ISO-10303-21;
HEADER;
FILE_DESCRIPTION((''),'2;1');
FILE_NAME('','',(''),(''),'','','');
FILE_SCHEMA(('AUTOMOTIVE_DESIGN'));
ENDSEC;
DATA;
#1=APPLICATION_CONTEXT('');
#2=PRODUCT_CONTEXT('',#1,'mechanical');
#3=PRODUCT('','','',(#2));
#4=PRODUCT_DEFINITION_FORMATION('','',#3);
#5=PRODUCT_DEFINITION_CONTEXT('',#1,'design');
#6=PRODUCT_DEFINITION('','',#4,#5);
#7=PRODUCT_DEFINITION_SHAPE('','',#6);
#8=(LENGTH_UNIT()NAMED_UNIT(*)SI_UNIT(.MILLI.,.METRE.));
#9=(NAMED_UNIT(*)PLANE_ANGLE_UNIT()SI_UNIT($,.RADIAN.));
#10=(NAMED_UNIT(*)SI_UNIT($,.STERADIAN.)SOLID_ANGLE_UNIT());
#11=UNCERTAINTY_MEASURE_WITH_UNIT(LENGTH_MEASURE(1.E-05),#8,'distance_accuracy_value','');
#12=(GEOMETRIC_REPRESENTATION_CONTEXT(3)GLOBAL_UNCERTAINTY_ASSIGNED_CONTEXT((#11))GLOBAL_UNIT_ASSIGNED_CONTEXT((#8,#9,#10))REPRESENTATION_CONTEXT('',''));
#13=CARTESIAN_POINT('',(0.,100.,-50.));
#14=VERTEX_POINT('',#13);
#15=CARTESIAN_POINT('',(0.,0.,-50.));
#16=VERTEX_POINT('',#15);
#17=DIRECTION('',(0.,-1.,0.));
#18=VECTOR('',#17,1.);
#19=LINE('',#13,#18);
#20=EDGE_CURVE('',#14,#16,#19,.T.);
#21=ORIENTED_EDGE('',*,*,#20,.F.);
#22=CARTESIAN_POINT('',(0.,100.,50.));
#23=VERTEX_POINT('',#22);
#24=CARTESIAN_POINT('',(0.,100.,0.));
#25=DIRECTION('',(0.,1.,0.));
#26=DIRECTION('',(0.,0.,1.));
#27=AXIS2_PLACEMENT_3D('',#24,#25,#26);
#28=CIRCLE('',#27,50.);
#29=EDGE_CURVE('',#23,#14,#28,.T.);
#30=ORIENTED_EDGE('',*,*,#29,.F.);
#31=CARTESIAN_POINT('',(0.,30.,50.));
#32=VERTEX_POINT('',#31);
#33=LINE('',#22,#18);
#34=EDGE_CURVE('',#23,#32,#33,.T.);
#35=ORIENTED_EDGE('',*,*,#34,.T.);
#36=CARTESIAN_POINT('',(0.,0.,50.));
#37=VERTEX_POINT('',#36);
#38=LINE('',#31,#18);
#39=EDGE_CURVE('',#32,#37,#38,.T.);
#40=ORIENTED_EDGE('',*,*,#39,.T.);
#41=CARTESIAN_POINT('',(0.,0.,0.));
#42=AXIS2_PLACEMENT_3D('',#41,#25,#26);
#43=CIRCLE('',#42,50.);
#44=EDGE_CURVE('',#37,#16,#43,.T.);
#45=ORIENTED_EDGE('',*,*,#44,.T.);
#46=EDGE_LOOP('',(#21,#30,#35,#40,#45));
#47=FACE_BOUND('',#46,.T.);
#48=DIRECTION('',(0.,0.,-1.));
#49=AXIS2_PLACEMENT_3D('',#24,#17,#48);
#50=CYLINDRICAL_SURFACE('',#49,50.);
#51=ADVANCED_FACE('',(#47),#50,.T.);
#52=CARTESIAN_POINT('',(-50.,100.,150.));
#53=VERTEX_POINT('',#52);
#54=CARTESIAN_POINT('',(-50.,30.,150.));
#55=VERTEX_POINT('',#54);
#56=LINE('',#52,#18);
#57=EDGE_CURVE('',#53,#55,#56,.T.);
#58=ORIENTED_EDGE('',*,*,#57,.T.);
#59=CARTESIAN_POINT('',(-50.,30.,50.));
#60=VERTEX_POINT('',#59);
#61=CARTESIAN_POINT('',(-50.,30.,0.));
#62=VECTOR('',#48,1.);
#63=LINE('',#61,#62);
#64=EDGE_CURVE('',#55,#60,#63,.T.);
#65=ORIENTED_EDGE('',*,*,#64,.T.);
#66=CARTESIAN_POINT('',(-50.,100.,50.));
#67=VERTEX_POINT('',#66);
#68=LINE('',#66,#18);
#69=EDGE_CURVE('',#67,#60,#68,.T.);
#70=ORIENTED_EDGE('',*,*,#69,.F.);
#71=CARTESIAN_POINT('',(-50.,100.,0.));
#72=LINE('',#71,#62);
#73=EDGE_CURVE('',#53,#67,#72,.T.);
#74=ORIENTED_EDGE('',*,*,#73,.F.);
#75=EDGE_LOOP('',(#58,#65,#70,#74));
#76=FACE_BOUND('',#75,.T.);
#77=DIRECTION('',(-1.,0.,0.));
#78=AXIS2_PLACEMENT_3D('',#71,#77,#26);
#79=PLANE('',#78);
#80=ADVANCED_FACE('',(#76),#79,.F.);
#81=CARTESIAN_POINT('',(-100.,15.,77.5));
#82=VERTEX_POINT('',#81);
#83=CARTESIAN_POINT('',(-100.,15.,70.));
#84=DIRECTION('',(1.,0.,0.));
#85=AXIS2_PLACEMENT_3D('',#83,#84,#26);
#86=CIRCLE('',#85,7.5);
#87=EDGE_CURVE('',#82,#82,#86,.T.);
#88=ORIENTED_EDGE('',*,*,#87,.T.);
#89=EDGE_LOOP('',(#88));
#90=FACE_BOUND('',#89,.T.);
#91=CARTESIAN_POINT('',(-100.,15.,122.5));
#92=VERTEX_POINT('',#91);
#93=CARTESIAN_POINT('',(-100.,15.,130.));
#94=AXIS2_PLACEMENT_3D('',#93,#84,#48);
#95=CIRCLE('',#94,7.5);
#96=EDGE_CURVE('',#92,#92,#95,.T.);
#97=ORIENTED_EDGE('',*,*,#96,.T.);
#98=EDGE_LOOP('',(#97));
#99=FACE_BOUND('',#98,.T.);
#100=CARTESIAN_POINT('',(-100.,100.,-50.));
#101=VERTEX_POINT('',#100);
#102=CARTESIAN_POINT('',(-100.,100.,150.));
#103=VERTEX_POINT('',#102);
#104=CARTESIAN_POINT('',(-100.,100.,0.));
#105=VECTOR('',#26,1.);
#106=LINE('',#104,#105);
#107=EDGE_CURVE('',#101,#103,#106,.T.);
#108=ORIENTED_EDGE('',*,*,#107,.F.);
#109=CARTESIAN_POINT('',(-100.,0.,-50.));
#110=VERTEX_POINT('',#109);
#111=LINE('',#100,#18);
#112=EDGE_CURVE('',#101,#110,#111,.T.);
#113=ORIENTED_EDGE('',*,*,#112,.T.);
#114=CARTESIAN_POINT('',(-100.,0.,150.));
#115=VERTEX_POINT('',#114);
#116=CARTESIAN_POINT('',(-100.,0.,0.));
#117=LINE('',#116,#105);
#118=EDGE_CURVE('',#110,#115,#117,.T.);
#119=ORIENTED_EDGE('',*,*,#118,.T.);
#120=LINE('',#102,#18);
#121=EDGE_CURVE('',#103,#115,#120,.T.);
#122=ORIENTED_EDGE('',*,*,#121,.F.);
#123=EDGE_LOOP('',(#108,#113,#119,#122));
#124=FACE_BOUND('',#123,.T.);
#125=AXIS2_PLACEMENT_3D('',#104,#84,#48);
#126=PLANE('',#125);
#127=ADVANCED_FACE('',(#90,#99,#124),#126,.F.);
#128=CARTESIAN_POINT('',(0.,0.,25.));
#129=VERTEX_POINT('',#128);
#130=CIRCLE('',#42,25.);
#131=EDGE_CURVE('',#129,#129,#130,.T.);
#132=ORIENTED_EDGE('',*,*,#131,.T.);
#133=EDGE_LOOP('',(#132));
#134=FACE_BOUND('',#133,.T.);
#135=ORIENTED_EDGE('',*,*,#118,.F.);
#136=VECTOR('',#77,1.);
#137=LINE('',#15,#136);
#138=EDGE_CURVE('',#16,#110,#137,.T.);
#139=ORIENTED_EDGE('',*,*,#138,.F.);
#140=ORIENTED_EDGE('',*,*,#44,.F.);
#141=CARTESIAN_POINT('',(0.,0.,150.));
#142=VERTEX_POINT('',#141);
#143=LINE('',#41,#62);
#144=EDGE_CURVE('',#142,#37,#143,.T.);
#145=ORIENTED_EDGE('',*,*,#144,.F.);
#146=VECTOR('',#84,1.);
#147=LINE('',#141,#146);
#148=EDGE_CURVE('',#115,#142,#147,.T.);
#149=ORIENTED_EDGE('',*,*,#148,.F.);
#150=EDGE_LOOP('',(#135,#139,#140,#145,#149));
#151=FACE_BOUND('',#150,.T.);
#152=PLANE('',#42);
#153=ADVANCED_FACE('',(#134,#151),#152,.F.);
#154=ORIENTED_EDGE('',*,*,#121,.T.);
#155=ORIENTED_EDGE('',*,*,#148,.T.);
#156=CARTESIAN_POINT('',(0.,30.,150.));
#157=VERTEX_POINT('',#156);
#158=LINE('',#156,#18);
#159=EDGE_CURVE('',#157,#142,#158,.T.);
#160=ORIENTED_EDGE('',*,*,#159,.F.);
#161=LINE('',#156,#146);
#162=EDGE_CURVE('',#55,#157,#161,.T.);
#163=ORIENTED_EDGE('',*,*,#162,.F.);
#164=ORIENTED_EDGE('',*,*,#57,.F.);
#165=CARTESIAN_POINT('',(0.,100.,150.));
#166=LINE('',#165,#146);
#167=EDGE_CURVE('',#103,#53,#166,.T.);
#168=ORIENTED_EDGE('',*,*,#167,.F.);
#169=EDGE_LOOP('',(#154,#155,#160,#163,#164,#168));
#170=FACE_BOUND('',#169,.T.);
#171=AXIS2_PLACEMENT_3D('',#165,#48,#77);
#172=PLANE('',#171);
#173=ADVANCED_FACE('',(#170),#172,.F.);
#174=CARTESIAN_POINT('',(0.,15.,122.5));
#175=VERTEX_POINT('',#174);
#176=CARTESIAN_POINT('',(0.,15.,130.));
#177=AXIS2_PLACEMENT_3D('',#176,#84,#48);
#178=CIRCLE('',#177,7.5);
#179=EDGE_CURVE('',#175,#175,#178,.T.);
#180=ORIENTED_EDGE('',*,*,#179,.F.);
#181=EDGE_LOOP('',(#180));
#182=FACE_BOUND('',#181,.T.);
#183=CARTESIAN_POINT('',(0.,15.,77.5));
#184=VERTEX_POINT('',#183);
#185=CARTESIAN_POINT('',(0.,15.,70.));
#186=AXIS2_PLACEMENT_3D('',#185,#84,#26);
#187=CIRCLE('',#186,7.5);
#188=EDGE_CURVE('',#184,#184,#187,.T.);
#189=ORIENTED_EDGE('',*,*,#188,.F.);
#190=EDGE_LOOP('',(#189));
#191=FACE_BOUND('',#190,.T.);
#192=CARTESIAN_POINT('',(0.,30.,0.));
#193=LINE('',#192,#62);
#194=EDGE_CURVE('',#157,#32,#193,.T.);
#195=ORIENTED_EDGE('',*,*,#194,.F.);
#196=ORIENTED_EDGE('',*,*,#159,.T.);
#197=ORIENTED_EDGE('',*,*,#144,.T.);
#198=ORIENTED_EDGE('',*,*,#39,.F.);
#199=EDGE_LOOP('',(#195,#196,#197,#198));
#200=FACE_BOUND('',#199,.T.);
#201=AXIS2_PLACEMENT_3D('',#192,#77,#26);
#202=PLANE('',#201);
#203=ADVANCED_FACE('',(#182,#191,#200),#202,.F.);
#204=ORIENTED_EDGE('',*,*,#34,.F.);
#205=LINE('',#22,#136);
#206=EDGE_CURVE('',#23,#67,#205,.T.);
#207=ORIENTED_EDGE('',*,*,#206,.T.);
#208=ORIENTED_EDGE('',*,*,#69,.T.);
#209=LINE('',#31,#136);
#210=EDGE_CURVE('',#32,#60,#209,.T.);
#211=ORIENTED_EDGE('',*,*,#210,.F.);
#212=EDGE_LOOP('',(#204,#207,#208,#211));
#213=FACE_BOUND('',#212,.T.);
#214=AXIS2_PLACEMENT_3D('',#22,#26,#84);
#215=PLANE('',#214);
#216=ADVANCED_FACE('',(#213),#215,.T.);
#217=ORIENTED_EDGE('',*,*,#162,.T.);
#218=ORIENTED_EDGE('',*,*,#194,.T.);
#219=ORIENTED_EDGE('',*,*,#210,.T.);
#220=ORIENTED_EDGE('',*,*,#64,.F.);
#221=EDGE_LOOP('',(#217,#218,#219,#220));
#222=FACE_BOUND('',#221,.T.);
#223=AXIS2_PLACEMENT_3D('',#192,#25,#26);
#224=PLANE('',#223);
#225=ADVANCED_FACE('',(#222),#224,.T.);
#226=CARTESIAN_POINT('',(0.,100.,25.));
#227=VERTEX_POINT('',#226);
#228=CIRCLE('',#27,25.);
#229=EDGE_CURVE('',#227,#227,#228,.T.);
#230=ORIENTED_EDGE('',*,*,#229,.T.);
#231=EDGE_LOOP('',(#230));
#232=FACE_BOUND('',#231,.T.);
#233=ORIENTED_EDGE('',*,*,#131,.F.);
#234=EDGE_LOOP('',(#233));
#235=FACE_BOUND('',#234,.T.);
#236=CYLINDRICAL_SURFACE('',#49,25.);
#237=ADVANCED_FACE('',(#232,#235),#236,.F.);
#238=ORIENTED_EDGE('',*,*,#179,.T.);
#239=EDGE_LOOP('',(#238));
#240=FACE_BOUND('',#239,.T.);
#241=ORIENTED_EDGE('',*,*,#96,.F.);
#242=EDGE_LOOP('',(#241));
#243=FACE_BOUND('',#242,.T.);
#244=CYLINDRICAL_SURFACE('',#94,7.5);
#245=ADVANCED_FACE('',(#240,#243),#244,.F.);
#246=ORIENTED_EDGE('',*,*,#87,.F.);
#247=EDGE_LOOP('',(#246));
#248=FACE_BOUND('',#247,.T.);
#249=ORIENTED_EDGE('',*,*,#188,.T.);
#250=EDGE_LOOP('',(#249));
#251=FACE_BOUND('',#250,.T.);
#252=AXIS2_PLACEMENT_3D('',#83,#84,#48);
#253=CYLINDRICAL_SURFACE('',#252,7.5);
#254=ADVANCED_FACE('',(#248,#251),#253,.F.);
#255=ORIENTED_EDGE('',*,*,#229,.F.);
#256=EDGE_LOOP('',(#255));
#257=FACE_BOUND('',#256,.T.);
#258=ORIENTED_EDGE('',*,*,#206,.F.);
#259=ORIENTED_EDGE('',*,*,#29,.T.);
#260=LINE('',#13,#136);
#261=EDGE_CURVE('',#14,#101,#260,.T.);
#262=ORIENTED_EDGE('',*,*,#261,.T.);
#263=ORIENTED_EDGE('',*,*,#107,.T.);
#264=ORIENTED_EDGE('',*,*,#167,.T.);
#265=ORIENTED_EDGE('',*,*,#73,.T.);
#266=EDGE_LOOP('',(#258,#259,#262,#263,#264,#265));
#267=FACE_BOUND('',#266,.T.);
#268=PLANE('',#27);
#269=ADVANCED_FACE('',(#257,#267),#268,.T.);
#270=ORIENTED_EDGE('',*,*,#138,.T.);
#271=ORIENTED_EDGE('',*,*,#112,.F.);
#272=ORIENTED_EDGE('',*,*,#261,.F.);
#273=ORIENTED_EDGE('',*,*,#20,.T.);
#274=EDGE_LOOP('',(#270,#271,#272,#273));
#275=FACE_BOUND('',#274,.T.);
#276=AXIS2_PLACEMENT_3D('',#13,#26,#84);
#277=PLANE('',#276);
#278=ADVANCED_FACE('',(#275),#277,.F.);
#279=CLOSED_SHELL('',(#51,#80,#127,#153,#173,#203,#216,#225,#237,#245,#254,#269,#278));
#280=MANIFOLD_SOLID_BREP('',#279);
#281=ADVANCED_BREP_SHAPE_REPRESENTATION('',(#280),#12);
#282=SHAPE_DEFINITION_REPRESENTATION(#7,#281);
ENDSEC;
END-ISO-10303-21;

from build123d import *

# Parameters (mm, degrees)
CROQUIS3_R              = 25
SALIENTE_EXTRUIR2_DEPTH = 100
CROQUIS3_3_W            = 50
CROQUIS3_3_H            = 100
SALIENTE_EXTRUIR3_DEPTH = 30
CROQUIS4_R              = 7.5
CORTAR_EXTRUIR1_DEPTH   = 207.155281281


with BuildPart() as part:
    # Croquis3 → Saliente-Extruir2 (new body)
    with BuildSketch(Plane(origin=(0, 0, 0), x_dir=(1, 0, 0), z_dir=(0, 1, 0))):
        with BuildLine():
            ThreePointArc((0, -50), (50, 0), (0, 50))
            Line((0, 50), (-100, 50))
            Line((-100, 50), (-100, -150))
            Line((-100, -150), (-50, -150))
            Line((-50, -150), (-50, -50))
            Line((-50, -50), (0, -50))
        make_face()
        Circle(CROQUIS3_R, mode=Mode.SUBTRACT)
    extrude(amount=SALIENTE_EXTRUIR2_DEPTH)

    # Croquis3<3> → Saliente-Extruir3 (add)
    with BuildSketch(Plane(origin=(0, 0, 0), x_dir=(1, 0, 0), z_dir=(0, 1, 0))):
        with Locations((-25, -100)):
            Rectangle(CROQUIS3_3_W, CROQUIS3_3_H)
    extrude(amount=SALIENTE_EXTRUIR3_DEPTH)

    # Croquis4 → Cortar-Extruir1 (cut, through all)
    with BuildSketch(Plane(origin=(0, 0, 0), x_dir=(0, 0, -1), z_dir=(1, 0, 0))):
        with Locations((-130, 15)):
            Circle(CROQUIS4_R)
        with Locations((-70, 15)):
            Circle(CROQUIS4_R)
    extrude(amount=-CORTAR_EXTRUIR1_DEPTH, mode=Mode.SUBTRACT)


solid = part.part
